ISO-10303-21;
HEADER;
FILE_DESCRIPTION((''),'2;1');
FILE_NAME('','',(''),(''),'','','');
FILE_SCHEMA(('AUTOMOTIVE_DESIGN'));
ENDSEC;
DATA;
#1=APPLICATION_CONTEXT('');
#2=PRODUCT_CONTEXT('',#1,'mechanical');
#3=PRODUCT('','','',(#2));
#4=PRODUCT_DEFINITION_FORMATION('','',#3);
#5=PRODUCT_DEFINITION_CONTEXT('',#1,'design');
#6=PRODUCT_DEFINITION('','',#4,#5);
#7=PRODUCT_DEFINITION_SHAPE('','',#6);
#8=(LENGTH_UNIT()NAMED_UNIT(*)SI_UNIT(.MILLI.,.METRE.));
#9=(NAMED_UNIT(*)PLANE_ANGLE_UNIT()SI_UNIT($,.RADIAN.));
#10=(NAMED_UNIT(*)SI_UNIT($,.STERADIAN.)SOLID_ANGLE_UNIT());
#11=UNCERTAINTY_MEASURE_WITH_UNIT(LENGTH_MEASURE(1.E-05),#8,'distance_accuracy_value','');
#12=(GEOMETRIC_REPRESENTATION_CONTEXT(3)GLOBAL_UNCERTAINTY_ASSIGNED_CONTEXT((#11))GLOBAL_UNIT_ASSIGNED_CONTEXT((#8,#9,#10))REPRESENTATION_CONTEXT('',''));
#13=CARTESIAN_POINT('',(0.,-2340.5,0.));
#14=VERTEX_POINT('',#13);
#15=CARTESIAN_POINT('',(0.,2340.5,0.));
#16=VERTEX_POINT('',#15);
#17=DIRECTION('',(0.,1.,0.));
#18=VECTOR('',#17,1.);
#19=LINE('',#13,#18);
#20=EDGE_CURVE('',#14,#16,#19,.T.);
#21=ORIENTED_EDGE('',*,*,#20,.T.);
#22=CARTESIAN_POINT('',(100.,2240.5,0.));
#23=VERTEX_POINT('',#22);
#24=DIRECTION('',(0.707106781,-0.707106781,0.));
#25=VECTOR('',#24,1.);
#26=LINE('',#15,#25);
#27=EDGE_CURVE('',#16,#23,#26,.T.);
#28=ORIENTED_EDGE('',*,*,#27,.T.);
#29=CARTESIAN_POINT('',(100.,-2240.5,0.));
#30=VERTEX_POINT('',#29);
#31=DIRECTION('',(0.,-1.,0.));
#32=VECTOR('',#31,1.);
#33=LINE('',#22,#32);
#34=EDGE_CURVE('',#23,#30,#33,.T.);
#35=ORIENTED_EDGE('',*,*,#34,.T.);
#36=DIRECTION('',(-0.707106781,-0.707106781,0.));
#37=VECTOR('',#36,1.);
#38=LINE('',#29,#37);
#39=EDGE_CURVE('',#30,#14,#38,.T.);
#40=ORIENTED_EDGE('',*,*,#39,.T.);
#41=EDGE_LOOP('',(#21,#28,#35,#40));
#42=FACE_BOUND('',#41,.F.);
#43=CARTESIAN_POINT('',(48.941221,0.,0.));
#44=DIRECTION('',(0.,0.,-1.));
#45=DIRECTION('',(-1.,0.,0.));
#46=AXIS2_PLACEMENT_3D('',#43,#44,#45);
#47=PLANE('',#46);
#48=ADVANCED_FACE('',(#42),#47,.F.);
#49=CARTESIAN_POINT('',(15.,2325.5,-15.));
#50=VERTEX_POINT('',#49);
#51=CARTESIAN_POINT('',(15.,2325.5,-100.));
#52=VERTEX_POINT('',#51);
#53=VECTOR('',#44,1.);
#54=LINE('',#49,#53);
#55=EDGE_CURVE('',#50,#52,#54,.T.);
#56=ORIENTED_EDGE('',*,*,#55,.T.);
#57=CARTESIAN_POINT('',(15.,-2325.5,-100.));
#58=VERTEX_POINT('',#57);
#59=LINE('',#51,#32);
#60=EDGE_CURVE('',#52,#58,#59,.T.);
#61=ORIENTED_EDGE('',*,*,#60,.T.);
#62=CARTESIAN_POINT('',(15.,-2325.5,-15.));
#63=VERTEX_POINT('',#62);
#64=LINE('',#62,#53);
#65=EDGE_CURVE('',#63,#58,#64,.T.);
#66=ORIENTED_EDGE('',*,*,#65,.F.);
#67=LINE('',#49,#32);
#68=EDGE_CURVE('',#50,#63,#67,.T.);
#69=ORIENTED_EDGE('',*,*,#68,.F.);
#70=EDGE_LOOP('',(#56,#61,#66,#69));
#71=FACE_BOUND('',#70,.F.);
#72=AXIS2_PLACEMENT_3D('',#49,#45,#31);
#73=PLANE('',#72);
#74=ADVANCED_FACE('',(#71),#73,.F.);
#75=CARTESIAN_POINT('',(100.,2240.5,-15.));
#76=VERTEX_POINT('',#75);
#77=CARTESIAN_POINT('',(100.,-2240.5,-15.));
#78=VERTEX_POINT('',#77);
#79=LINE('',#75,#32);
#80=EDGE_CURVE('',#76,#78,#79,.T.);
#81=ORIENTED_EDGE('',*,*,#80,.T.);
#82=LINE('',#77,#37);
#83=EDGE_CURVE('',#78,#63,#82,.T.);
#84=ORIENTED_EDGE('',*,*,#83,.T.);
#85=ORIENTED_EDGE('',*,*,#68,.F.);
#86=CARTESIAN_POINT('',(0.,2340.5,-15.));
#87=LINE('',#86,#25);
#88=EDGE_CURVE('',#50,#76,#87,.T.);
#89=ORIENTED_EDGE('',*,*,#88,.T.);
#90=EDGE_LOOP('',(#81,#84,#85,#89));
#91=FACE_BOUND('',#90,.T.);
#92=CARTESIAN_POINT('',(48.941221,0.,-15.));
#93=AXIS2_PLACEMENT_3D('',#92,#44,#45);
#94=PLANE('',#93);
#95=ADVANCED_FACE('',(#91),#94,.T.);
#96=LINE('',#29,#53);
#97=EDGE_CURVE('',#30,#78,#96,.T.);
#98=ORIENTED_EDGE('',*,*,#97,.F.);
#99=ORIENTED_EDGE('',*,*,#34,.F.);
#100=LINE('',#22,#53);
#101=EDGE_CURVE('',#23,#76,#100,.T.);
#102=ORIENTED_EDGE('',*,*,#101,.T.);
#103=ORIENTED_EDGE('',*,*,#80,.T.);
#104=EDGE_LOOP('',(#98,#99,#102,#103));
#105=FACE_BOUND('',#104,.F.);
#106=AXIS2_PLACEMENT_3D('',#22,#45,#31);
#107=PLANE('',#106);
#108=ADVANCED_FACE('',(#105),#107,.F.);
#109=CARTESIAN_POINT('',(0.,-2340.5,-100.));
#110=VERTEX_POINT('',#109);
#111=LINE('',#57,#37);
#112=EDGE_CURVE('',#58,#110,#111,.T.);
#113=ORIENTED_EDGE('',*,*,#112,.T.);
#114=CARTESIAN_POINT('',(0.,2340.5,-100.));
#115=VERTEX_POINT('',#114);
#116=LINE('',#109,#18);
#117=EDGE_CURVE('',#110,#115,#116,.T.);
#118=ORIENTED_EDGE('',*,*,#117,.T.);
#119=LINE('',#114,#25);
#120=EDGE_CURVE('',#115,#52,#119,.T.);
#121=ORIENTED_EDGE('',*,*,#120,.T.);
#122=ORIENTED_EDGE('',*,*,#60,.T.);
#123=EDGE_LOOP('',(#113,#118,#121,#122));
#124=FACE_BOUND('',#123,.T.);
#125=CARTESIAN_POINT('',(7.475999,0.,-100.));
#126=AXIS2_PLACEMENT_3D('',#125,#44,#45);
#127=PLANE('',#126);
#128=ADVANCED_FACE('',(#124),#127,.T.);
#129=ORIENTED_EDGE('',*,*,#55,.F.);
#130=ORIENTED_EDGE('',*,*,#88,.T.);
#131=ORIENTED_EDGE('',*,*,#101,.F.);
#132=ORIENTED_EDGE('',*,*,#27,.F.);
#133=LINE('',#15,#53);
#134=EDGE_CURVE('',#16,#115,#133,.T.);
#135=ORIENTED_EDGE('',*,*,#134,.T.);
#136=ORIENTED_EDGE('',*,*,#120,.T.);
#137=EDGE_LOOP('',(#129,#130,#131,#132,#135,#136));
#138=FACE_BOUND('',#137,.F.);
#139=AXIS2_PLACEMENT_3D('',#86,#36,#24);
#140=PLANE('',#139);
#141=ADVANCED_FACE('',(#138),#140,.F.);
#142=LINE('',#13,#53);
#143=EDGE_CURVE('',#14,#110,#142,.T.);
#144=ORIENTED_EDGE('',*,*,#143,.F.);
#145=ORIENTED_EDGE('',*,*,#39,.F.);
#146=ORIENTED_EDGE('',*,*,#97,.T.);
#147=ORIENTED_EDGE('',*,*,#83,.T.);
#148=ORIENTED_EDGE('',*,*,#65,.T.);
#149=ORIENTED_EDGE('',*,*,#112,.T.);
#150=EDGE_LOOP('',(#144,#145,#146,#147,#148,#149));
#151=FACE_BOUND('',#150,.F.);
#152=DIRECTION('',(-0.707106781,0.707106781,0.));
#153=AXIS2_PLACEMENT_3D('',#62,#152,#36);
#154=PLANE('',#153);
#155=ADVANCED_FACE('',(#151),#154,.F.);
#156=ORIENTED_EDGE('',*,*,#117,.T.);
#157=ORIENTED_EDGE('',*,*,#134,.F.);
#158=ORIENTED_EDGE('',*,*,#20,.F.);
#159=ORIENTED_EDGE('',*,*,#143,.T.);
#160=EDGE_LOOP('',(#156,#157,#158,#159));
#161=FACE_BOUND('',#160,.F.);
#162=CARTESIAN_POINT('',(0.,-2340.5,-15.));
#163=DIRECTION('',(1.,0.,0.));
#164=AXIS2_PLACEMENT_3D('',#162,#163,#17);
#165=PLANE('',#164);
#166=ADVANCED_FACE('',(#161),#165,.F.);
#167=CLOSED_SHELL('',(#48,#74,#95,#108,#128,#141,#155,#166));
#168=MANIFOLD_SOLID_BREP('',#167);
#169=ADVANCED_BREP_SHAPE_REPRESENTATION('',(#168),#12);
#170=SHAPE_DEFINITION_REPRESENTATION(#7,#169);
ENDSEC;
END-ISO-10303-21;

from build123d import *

# Parameters (mm, degrees)
F1_DEPTH = 15
F3_DEPTH = 85


with BuildPart() as f1:
    # F0 (on Top) → F1 (new body)
    with BuildSketch(Plane.XY):
        Polygon((-100, -2240.5), (0, -2340.5), (0, 2340.5), (-100, 2240.5), align=None)
    extrude(amount=F1_DEPTH)

    # F2 (on face) → F3 (join)
    with BuildSketch(Plane.XY.offset(15)):
        Polygon((-15, -2325.5), (0, -2340.5), (0, 2340.5), (-15, 2325.5), align=None)
    extrude(amount=F3_DEPTH)


with BuildPart() as f4_1:
    # F4: instance of F1
    add(f1.part.mirror(Plane.XY))


with BuildPart() as f6_1:
    # F6: instance of F4_1
    add(f4_1.part.mirror(Plane.YZ))


solid = f6_1.part
